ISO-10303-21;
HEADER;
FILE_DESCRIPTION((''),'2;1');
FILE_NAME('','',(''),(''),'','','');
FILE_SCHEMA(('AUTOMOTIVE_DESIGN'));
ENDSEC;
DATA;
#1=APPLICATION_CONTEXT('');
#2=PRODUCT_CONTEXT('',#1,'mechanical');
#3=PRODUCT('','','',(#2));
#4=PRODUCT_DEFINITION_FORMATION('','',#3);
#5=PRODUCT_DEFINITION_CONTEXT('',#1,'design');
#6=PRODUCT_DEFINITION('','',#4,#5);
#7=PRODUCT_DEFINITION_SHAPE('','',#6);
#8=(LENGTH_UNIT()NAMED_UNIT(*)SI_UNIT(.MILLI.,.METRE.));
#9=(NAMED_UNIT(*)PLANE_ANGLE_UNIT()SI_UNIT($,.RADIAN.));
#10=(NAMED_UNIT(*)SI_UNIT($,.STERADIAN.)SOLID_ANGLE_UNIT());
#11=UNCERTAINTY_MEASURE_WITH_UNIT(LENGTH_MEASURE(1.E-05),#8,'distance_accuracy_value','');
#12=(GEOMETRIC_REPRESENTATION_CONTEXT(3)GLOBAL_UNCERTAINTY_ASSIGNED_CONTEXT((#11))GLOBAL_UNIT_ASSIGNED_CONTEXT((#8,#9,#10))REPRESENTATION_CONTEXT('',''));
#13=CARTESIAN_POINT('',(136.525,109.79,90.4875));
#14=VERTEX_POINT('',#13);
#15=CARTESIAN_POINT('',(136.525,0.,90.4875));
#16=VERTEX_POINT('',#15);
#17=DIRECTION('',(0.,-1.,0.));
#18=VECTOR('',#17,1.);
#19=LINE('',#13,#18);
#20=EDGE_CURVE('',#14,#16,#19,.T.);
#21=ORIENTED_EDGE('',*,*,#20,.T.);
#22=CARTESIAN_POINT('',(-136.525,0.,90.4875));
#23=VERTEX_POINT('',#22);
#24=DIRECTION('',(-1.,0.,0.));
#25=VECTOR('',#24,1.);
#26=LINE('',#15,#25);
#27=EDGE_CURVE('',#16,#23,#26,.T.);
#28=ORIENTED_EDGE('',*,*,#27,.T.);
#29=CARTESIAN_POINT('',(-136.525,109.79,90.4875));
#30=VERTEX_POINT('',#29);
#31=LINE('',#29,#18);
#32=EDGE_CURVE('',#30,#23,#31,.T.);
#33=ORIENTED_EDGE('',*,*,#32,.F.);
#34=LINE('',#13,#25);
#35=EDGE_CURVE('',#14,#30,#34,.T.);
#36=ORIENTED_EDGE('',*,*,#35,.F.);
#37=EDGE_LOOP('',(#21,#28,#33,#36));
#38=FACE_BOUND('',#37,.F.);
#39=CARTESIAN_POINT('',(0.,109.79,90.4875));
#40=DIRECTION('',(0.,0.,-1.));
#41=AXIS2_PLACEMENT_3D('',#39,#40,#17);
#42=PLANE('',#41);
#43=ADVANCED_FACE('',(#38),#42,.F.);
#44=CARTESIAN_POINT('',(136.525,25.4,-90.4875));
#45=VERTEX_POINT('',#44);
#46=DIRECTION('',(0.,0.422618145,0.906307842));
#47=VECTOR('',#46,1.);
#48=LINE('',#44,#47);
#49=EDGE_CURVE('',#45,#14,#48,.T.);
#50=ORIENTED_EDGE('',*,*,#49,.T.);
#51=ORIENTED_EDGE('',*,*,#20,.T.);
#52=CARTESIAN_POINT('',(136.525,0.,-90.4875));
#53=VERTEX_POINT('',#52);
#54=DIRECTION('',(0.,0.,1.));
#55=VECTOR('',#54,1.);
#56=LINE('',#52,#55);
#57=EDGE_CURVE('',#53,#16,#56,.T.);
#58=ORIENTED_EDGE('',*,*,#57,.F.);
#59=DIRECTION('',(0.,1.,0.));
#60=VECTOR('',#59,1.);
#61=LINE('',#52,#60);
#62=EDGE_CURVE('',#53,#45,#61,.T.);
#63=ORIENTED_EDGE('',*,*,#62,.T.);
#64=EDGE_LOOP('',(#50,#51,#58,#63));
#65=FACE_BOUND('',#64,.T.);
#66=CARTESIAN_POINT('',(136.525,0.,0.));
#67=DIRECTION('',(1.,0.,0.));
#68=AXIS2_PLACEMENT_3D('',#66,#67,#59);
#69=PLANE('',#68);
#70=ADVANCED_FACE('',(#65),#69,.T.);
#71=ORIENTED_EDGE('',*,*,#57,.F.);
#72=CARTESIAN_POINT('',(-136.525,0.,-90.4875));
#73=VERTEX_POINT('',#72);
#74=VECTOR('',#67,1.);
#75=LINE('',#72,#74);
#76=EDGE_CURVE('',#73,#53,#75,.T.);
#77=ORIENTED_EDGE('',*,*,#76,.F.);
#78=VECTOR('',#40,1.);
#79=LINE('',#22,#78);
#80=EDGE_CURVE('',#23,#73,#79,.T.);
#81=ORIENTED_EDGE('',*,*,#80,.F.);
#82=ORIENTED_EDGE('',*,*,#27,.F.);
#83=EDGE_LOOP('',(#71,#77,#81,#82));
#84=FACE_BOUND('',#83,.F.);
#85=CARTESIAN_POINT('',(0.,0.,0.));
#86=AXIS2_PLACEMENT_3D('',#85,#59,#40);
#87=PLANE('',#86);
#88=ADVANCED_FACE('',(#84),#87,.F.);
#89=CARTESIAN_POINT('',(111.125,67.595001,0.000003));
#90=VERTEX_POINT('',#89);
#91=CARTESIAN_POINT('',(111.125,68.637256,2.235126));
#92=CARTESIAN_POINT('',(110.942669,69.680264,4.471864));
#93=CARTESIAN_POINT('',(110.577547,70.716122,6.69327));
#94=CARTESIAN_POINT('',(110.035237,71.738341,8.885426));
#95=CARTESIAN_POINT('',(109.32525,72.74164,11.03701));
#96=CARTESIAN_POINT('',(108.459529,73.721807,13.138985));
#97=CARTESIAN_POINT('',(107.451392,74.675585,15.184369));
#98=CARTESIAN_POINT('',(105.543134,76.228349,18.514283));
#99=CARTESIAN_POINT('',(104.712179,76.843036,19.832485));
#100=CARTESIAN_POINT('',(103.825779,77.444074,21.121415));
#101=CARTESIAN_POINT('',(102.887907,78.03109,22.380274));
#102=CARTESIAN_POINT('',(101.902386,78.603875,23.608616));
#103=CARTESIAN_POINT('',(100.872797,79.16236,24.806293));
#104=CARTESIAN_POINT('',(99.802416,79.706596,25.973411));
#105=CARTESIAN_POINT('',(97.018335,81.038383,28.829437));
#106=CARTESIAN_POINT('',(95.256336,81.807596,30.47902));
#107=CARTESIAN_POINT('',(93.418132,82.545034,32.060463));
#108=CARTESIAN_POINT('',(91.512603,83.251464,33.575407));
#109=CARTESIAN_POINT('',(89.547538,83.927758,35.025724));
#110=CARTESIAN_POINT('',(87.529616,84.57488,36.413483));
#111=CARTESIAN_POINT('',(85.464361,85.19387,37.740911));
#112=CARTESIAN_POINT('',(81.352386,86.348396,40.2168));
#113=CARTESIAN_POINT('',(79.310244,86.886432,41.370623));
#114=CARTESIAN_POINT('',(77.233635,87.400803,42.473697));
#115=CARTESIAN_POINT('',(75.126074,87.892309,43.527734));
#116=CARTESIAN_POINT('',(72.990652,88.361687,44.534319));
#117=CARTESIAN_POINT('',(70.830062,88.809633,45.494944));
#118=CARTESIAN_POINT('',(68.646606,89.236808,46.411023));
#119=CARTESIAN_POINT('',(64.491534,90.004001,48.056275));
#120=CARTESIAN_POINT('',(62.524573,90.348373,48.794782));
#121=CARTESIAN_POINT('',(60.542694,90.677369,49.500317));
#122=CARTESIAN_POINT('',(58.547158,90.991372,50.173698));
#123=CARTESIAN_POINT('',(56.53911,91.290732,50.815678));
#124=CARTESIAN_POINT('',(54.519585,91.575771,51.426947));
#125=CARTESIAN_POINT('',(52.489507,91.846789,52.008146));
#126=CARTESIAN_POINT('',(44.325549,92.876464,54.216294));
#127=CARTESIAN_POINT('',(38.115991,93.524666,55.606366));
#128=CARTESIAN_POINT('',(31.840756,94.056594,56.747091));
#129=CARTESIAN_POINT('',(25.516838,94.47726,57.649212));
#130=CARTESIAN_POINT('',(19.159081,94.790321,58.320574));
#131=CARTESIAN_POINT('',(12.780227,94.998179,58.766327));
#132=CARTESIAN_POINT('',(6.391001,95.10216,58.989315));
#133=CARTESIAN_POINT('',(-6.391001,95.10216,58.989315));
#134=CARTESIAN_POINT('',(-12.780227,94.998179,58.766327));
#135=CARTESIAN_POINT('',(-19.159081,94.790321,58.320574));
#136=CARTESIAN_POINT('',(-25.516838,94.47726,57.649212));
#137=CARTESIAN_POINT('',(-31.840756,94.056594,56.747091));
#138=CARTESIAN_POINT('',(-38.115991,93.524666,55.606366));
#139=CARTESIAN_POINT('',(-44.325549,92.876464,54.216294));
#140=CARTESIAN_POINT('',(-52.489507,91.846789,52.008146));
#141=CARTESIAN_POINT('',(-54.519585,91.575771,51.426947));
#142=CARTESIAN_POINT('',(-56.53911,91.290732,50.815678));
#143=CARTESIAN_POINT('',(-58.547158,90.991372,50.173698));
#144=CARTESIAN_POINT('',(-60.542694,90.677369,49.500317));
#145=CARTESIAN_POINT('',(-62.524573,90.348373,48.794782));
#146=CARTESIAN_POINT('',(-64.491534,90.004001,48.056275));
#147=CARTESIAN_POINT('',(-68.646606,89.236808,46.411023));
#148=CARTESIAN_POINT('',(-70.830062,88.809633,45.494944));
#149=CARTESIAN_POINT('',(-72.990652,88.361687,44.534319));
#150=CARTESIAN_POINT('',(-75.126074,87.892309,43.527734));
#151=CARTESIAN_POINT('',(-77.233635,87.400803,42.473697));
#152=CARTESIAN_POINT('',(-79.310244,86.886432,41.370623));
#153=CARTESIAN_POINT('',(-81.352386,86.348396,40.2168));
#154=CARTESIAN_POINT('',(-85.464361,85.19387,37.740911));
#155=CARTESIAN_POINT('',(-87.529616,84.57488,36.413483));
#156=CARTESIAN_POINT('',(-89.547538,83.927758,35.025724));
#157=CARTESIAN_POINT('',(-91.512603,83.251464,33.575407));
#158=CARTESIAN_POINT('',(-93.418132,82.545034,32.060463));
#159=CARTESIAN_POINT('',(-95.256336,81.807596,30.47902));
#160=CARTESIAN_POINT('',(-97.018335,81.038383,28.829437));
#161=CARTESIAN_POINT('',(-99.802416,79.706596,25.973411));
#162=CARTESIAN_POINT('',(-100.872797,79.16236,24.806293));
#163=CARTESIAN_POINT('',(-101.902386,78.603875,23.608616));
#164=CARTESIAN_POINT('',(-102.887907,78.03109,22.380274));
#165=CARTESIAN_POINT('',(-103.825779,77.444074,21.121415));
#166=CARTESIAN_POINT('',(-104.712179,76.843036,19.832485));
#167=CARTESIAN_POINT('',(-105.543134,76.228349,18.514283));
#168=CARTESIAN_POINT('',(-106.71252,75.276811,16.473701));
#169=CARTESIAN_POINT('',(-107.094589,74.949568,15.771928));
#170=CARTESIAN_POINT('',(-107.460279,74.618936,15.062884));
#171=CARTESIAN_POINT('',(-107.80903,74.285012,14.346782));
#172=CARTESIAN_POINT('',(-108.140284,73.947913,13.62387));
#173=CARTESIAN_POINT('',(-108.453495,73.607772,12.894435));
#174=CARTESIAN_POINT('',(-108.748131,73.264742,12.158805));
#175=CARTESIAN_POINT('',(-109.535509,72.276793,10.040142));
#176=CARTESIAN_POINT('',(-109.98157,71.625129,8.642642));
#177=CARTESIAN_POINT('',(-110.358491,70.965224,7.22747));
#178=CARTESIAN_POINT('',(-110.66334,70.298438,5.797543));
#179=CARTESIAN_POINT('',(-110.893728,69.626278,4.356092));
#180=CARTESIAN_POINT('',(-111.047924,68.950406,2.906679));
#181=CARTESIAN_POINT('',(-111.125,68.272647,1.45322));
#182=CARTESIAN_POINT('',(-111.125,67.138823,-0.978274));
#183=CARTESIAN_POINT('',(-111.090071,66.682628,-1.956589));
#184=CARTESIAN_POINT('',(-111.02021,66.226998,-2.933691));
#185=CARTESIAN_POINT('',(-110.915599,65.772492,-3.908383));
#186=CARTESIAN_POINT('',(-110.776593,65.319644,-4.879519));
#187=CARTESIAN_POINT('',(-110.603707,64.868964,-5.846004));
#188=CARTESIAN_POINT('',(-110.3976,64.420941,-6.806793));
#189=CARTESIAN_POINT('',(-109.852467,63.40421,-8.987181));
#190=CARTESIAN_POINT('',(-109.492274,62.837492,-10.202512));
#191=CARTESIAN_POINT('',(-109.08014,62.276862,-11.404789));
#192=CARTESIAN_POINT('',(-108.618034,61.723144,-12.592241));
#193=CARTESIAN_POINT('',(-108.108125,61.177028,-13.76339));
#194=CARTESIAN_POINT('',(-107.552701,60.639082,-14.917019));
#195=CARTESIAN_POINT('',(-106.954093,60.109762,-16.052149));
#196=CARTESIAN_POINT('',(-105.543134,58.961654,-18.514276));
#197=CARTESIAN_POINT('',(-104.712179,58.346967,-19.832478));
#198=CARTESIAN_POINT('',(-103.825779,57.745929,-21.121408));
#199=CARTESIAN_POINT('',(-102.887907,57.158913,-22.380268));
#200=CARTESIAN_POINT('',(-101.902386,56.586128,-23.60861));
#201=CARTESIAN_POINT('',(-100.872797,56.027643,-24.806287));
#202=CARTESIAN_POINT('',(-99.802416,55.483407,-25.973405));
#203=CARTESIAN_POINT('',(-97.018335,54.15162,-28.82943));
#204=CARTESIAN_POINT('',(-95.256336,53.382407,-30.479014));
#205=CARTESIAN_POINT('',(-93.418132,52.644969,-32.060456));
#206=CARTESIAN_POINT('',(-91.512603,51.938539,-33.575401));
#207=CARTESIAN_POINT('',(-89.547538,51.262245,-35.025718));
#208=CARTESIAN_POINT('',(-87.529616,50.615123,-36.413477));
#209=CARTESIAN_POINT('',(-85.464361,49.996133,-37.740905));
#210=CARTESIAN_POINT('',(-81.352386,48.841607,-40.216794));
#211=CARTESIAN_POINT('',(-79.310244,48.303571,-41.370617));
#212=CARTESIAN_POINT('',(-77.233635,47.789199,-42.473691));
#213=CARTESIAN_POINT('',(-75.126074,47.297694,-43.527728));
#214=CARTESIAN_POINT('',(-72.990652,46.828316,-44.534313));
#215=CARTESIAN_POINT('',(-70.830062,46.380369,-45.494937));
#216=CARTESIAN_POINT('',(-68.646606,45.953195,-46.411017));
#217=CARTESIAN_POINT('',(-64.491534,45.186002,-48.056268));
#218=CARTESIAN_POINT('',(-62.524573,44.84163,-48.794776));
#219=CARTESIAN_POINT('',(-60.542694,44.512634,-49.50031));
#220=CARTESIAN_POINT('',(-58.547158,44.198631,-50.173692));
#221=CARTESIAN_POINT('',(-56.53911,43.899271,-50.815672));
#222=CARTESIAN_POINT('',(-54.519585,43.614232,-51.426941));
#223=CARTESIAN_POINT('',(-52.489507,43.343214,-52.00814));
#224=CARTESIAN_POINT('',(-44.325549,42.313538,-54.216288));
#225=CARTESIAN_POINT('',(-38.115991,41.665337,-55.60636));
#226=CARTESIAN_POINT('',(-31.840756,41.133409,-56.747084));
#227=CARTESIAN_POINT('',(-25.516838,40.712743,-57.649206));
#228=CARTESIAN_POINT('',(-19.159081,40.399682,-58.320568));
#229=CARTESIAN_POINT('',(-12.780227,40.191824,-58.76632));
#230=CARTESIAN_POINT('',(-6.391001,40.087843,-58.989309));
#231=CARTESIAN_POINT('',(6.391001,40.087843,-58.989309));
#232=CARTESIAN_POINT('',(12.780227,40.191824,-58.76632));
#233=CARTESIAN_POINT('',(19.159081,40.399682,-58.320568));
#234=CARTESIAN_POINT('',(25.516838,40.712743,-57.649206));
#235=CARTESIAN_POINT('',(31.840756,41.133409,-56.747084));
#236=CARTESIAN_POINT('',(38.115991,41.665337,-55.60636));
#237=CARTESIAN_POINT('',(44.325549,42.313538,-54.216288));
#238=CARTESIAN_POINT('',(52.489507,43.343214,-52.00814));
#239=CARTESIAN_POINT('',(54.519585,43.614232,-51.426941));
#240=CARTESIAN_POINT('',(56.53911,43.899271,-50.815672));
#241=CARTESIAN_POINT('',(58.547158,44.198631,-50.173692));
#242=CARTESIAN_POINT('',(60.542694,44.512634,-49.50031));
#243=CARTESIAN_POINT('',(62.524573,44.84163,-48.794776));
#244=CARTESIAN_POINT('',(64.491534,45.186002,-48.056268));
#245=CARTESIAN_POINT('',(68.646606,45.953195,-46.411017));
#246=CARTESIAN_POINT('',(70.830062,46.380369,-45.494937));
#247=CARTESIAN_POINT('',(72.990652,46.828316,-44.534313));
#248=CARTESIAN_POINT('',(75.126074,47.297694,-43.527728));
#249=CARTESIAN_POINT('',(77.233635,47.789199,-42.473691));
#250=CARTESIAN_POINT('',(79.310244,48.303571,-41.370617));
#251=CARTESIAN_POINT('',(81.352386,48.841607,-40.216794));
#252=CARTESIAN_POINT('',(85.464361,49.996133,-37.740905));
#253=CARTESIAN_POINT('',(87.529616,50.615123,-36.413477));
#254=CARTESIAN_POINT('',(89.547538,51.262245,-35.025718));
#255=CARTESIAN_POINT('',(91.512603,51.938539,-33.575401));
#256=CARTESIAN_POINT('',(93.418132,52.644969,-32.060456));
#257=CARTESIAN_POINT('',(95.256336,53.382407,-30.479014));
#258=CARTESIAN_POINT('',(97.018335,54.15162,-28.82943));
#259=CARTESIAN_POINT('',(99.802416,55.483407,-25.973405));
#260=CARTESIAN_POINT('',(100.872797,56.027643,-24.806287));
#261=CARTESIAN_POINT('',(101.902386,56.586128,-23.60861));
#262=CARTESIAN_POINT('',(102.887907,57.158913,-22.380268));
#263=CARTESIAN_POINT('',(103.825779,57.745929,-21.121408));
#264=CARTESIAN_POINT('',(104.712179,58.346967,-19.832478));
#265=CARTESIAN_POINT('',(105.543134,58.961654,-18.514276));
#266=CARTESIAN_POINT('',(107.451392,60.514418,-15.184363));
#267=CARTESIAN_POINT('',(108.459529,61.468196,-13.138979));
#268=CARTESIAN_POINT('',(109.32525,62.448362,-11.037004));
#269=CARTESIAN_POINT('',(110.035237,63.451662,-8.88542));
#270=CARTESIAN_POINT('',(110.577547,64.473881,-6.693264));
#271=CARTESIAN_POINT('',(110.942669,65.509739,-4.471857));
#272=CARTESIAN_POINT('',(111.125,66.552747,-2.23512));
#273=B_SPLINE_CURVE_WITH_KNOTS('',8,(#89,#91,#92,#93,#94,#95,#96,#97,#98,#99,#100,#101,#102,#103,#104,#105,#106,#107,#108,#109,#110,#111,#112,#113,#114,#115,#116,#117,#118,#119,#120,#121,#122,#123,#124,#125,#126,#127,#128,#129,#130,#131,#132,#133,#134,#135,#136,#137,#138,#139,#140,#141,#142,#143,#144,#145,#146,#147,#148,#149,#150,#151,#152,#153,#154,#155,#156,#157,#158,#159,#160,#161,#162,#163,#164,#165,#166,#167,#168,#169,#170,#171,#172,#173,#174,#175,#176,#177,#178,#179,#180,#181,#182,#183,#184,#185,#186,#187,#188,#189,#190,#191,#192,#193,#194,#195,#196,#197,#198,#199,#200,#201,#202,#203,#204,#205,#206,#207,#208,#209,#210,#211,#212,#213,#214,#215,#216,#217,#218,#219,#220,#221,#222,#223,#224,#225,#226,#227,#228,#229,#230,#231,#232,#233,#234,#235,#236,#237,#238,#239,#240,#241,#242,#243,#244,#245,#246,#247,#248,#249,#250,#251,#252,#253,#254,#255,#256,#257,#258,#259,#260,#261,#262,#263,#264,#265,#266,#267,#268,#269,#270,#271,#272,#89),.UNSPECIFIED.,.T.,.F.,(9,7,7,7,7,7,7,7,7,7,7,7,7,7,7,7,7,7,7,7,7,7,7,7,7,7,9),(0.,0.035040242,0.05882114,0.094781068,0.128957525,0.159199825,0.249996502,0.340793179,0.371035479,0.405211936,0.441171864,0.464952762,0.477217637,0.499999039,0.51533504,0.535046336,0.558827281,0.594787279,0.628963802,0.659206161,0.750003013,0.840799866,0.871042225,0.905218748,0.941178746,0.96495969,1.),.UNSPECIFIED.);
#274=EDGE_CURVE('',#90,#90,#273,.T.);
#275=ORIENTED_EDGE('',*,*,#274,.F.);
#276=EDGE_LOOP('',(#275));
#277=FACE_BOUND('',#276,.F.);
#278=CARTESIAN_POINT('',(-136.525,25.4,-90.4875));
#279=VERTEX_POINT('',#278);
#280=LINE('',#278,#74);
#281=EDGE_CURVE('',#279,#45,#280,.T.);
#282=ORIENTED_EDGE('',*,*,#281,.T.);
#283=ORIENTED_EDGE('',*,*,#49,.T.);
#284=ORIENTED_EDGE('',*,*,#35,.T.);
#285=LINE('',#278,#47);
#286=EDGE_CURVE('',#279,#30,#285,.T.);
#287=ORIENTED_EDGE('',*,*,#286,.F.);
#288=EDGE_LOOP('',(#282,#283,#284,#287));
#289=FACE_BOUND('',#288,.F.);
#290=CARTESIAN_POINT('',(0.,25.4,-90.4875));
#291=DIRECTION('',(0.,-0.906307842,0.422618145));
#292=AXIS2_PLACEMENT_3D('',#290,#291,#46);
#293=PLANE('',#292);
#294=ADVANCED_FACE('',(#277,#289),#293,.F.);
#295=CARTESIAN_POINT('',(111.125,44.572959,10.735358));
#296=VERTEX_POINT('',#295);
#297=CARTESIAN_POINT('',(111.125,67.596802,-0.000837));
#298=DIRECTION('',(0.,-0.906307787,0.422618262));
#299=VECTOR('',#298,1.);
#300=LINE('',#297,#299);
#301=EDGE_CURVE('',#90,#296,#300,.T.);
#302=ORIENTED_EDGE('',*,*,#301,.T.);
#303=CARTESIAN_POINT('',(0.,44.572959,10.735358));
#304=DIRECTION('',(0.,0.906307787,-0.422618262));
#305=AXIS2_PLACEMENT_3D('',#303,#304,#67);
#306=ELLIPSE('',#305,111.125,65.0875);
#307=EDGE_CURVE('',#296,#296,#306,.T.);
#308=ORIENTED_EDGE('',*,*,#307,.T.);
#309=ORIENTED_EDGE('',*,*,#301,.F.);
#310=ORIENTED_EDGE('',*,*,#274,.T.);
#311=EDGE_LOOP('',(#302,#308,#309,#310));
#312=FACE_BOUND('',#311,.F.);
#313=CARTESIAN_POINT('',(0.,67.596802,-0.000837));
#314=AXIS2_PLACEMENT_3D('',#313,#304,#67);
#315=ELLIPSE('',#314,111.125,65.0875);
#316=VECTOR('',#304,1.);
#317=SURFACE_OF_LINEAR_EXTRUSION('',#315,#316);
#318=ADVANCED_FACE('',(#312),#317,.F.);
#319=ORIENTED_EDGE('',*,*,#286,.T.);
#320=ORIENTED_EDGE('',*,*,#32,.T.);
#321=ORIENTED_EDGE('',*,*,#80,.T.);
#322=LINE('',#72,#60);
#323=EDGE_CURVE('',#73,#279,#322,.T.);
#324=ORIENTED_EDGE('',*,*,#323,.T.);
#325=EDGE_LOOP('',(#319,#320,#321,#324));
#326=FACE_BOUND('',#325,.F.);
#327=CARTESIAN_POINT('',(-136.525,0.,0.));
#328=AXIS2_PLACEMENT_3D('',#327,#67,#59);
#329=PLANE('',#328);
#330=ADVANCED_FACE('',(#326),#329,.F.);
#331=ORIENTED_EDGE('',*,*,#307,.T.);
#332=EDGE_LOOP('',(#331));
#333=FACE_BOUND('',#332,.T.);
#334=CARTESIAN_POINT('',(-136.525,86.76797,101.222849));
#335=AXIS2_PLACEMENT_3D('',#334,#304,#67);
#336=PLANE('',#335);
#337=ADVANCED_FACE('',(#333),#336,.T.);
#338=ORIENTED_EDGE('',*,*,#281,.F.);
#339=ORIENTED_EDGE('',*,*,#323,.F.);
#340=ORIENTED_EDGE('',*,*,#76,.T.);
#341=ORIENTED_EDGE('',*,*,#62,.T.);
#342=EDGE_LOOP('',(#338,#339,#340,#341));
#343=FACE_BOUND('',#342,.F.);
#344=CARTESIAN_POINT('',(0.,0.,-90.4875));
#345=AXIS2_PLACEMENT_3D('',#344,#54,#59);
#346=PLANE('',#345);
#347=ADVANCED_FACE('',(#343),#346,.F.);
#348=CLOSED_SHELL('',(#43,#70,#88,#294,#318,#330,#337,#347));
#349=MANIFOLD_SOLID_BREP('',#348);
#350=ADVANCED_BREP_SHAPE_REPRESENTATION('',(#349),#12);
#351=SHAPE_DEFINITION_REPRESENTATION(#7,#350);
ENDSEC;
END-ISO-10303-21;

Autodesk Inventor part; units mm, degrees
ref_plane "YZ Plane" through (0, 0, 0) normal (1, 0, 0) x (0, 1, 0)
ref_plane "XZ Plane" through (0, 0, 0) normal (0, 1, 0) x (-1, 0, 0)
ref_plane "XY Plane" through (0, 0, 0) normal (0, 0, 1) x (1, 0, 0)
sketch "Sketch1" plane through (0, 0, 0) normal (1, 0, 0) x (0, 1, 0)
  line L0 (0, -90.4875) -> (25.4, -90.4875)
  line L1 (25.4, -90.4875) -> (109.79, 90.4875)
  line L2 (109.79, 90.4875) -> (0, 90.4875)
  line L3 (0, 0) -> (0, 90.4875)
  line L4 (0, 0) -> (0, -90.4875)
  line L5 (109.79, 90.4875) -> (109.79, -90.4875) construction
  dimension "baseDepth" = 180.975
  dimension "tilt" = -25
  dimension "frontHeight" = 25.4
extrude "Extrusion1" add sketch "Sketch1" along normal mid plane 273.05
sketch "Sketch5" plane through (-136.525, 109.79, 90.4875) normal (0, 0.9063, -0.4226) x (1, 0, 0)
  line L0 (273.05, 199.6838) -> (0, 199.6838) construction
  line L1 (273.05, 199.6838) -> (273.05, 0) construction
  line L2 (0, 199.6838) -> (273.05, 0) construction
  line L3 (273.05, 0) -> (0, 0) construction
  line L4 (273.05, 199.6838) -> (0, 0) construction
  ellipse E0 centre (136.525, 99.8419) end of major axis (247.65, 99.8419) minor radius 65.0875
  point P0 (136.525, 128.4088)
  dimension "elipseMajorRadius" = 111.125
  dimension "elipseMinorRadius" = 65.0875
extrude "Extrusion3" cut sketch "Sketch5" against normal blind 25.4
equation "\"tilt\" = -tiltAngle"
equation "\"elipseMajorRadius\" = 0.5 * monitorBaseElipseMajorDiam"
equation "\"elipseMinorRadius\" = 0.5 * monitorBaseElipseMinorDiam"
equation "\"monitorBaseElipseMajorDiam\" = 222.25"
equation "\"monitorBaseElipseMinorDiam\" = 130.175"
equation "\"tiltAngle\" = 25deg"
properties part number "MonitorBase"
